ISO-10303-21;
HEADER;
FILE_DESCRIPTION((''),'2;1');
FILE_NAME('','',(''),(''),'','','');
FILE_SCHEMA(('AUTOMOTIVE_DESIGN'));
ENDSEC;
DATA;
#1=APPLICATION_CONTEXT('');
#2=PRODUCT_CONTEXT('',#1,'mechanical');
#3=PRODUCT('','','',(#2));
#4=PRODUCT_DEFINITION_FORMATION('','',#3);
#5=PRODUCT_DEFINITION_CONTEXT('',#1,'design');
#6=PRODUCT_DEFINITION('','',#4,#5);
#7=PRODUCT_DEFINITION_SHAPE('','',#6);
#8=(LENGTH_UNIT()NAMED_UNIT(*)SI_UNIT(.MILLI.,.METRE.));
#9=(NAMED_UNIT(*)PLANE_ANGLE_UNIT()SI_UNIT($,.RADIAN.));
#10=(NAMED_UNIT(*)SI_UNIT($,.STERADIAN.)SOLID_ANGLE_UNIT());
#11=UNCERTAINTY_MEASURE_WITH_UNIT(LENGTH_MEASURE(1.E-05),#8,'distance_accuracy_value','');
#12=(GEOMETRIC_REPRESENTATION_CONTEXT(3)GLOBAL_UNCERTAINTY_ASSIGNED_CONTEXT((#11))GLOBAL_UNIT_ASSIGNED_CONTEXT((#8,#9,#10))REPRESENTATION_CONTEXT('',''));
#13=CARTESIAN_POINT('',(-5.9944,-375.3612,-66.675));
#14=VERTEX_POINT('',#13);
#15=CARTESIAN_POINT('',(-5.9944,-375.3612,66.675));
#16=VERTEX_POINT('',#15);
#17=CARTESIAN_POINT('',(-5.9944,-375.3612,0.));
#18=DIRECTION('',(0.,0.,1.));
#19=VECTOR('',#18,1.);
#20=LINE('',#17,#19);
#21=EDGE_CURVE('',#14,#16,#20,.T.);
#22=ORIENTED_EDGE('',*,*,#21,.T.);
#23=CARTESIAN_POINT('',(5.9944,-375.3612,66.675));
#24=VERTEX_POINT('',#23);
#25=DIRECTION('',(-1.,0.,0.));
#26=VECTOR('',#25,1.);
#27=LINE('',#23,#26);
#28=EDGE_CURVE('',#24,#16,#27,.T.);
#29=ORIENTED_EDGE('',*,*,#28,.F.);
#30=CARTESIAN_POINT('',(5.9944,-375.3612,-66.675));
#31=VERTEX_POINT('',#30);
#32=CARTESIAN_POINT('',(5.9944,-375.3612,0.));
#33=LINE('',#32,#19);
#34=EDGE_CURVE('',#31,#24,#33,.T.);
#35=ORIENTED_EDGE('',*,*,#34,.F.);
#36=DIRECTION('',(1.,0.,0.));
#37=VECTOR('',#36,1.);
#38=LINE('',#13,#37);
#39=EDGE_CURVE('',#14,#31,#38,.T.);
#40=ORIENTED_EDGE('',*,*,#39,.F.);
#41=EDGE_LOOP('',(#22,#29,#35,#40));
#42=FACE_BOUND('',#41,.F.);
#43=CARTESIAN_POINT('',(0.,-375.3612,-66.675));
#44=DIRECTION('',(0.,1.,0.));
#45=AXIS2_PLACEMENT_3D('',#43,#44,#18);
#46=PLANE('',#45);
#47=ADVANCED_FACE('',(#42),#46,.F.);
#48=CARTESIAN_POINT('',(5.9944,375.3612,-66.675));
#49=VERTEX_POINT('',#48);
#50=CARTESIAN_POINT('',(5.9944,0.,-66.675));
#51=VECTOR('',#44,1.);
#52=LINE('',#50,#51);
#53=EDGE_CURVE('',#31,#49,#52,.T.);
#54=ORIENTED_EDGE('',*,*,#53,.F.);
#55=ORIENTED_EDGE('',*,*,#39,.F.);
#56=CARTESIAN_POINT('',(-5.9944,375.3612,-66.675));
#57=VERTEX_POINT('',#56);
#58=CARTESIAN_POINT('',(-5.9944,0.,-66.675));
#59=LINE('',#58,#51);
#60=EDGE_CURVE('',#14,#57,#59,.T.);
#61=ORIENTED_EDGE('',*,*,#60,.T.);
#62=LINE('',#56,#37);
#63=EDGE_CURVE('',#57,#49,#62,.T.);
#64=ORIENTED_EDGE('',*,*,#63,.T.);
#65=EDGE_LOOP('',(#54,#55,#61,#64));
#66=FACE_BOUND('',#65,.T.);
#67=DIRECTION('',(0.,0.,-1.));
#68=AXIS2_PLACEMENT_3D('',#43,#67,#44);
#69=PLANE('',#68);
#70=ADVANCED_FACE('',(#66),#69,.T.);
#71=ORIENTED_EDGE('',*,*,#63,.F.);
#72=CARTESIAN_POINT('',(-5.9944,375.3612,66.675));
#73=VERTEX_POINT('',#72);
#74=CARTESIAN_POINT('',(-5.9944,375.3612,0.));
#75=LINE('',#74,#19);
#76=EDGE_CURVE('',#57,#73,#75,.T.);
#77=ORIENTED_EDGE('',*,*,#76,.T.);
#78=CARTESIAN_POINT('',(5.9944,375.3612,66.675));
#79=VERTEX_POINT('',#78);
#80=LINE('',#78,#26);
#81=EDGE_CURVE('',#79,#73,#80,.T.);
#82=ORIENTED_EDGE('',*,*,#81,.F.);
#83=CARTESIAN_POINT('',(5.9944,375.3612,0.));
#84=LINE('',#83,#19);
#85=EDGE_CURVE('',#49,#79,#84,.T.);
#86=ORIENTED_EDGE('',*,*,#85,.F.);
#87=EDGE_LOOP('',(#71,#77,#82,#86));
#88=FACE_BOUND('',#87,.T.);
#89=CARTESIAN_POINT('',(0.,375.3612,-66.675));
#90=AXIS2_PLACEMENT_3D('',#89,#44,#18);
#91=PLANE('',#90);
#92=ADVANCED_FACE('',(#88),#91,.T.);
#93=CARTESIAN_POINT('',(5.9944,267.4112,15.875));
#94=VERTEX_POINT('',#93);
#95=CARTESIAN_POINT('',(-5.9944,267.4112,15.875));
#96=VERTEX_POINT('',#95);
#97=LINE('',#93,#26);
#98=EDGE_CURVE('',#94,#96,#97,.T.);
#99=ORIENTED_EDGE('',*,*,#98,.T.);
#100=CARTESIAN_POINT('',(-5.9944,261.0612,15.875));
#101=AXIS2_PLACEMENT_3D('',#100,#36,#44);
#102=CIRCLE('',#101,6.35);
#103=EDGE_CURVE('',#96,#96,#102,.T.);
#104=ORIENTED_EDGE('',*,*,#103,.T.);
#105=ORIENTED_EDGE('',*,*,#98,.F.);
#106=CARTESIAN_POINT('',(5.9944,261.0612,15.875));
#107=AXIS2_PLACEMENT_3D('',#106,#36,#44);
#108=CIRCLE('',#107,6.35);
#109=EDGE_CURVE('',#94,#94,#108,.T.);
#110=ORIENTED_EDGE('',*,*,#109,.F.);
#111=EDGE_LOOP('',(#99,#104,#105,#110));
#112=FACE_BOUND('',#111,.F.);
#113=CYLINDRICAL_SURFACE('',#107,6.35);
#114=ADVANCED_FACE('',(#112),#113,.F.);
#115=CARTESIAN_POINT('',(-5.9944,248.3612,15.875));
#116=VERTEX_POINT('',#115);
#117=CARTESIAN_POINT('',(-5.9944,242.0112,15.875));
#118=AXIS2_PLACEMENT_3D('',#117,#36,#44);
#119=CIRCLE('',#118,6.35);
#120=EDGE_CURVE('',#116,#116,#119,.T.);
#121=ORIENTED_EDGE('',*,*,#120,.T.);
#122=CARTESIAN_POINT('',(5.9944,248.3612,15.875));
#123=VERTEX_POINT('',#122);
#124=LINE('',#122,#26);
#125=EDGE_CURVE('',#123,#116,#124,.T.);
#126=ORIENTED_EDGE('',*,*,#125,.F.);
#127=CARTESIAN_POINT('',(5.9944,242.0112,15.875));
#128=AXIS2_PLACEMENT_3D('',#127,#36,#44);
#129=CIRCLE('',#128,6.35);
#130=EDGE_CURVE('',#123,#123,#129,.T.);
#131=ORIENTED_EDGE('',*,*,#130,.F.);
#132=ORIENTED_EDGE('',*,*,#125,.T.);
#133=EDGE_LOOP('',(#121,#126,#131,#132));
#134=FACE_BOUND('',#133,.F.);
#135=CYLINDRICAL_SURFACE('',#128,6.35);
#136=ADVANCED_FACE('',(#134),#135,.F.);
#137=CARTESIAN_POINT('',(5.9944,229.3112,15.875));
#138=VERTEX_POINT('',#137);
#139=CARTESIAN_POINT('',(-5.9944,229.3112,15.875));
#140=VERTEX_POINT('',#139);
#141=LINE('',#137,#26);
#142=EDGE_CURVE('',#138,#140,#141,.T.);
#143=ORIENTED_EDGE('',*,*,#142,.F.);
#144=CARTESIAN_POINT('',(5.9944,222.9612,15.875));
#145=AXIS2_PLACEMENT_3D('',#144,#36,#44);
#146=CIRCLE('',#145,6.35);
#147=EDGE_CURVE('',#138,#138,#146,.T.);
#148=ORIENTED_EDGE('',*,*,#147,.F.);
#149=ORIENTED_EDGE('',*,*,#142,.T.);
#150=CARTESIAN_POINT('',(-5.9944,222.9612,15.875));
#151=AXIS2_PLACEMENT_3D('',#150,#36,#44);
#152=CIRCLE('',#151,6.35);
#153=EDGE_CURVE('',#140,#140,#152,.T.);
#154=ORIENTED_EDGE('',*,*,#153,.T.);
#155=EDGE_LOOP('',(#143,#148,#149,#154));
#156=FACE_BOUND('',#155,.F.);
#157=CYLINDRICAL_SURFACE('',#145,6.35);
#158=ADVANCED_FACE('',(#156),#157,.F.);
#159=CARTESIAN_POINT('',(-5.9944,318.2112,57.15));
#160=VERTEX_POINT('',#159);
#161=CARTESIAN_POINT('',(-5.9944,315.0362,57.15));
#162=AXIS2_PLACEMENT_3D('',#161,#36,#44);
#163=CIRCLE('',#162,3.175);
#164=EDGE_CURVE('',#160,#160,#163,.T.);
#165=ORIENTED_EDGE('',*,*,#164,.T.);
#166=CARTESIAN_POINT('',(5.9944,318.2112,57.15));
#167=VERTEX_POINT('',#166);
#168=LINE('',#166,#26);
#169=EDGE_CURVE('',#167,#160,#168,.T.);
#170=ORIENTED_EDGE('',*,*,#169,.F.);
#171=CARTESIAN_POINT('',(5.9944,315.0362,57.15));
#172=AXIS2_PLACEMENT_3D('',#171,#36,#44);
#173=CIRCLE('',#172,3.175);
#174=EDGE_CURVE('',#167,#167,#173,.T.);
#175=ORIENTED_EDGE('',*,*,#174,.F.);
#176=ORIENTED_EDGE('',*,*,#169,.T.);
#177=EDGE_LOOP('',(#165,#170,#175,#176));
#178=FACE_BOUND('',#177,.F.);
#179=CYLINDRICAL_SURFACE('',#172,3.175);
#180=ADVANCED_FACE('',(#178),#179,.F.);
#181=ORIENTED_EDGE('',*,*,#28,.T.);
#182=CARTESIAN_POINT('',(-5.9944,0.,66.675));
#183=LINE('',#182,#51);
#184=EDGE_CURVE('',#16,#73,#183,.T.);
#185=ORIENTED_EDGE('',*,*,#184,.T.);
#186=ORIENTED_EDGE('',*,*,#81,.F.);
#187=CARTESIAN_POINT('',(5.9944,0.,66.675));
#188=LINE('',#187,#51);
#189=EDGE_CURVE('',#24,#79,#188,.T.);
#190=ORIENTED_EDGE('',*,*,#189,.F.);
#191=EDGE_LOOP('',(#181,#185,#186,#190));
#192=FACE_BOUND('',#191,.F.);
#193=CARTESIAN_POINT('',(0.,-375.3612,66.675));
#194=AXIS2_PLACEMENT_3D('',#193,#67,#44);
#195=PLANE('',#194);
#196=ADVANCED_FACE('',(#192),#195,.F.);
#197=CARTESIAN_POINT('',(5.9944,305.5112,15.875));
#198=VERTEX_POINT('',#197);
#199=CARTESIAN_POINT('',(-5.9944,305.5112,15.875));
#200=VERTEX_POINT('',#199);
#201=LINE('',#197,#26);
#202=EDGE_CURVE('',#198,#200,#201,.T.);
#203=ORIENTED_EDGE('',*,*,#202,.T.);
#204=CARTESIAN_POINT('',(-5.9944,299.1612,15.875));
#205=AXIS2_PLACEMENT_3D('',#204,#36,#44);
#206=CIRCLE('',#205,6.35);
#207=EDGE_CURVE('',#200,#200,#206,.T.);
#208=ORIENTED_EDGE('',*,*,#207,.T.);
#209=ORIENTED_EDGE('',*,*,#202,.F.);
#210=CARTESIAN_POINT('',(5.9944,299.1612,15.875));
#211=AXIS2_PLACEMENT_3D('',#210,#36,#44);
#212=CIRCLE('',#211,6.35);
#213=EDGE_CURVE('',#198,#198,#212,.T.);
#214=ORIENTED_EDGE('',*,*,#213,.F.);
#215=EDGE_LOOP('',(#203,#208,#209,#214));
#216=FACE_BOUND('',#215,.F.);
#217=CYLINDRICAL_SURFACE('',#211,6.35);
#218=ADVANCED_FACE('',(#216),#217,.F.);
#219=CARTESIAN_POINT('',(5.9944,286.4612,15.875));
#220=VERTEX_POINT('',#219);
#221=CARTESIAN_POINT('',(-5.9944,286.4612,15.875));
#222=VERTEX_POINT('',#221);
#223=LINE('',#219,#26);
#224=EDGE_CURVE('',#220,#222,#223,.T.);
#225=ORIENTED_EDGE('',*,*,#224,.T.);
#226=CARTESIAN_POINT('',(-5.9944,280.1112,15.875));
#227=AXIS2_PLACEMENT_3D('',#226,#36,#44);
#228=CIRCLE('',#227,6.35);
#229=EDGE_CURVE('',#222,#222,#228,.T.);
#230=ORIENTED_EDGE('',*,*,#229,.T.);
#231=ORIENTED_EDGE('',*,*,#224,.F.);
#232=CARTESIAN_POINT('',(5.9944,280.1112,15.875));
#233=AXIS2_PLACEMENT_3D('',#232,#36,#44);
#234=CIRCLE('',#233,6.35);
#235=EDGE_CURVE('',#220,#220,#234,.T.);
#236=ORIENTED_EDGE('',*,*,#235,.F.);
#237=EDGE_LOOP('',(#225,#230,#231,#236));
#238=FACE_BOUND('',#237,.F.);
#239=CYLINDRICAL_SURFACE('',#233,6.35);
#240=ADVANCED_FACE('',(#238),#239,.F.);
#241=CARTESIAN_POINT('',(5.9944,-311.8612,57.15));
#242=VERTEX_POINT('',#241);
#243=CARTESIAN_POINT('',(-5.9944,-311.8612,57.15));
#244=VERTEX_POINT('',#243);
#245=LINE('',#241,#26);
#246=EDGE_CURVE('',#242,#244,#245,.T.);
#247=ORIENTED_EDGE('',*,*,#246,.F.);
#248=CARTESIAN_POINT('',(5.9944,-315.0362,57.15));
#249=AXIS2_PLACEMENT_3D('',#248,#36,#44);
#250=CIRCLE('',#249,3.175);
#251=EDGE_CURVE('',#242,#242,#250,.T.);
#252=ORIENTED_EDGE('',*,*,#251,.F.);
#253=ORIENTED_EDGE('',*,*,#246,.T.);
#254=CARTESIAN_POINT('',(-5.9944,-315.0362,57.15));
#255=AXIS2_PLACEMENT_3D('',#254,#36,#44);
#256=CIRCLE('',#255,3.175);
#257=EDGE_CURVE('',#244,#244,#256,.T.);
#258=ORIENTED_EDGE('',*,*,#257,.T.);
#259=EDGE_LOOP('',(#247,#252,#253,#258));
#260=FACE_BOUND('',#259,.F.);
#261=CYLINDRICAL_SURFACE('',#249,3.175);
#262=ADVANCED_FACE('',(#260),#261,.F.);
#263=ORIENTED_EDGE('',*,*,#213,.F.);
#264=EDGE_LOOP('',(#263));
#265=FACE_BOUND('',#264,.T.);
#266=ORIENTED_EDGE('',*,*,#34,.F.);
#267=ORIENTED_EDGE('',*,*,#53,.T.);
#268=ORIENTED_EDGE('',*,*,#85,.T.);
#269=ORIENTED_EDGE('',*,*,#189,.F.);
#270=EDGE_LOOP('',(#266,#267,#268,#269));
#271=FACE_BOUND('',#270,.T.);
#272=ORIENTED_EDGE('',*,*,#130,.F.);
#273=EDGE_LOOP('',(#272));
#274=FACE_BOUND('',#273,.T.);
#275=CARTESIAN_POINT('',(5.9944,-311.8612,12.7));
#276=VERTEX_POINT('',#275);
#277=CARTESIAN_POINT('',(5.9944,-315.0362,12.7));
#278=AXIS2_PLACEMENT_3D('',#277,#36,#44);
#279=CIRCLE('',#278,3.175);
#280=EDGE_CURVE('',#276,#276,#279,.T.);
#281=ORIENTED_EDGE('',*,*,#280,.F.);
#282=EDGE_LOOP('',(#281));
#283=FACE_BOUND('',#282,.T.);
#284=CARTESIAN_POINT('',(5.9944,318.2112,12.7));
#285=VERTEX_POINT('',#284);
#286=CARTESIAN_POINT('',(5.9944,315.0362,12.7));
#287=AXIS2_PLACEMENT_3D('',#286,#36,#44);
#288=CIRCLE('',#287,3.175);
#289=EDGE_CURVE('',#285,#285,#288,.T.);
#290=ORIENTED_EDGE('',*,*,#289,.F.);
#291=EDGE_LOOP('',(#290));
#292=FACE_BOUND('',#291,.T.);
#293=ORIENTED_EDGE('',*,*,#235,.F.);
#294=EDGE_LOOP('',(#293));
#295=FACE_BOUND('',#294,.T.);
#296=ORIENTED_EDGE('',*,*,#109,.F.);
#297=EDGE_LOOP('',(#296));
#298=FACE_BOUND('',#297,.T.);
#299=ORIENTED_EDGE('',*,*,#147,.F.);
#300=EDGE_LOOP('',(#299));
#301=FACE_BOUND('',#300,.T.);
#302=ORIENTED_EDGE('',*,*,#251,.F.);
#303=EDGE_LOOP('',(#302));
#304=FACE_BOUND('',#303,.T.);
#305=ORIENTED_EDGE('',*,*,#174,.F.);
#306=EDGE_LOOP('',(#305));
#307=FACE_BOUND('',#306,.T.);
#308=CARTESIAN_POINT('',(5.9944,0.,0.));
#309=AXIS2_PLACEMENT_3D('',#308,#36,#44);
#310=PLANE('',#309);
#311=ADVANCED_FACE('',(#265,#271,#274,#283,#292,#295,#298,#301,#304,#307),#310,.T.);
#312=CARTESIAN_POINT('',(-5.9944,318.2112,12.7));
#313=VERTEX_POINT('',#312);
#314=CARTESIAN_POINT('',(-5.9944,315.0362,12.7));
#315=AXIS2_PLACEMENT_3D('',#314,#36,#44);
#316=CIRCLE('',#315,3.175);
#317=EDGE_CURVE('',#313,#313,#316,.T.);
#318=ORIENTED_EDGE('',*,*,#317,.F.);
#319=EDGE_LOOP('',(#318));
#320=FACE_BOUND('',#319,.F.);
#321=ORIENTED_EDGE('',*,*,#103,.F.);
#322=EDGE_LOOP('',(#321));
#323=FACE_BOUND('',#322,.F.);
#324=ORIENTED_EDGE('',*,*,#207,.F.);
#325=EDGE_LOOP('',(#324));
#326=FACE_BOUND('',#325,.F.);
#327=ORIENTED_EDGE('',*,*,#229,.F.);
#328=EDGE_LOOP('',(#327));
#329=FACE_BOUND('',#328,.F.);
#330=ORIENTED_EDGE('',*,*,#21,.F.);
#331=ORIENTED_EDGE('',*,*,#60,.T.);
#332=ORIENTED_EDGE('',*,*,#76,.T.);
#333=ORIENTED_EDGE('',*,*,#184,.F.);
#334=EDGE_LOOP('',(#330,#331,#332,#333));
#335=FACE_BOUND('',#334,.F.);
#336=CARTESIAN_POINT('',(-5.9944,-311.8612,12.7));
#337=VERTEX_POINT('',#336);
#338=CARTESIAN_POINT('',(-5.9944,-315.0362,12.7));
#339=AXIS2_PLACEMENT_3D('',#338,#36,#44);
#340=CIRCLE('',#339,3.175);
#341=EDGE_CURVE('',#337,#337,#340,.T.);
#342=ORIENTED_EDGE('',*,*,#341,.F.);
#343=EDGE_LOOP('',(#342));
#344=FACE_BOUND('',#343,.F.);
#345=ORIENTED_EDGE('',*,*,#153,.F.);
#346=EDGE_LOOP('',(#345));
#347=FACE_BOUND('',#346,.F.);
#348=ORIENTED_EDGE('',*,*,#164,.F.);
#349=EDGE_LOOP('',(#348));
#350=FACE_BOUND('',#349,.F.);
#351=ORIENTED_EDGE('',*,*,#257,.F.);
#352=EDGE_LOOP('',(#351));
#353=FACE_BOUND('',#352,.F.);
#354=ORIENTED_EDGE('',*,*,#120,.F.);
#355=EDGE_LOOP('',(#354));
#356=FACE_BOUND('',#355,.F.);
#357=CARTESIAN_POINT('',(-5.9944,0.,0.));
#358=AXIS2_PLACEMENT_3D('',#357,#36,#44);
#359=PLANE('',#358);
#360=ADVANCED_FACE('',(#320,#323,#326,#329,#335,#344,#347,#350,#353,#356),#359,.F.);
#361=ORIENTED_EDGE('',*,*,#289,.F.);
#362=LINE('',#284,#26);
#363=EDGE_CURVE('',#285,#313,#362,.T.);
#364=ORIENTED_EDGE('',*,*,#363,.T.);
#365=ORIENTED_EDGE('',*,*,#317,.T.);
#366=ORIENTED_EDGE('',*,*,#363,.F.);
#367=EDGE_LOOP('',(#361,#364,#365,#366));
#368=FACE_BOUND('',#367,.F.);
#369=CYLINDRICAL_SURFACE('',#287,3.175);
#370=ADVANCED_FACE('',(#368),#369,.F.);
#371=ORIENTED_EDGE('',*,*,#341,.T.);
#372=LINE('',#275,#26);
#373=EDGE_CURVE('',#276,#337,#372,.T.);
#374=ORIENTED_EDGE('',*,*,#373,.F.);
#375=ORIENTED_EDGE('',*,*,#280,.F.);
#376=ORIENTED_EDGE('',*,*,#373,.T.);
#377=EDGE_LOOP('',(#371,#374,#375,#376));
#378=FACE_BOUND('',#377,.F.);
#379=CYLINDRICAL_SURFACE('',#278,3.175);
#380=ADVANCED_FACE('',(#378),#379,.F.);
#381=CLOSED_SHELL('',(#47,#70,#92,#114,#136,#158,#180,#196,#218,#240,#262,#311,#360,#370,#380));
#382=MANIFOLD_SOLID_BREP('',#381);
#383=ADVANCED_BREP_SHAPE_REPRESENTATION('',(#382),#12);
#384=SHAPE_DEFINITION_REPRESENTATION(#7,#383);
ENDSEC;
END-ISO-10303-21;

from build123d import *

# Parameters (mm, degrees)
F0_W     = 750.7224
F0_H     = 133.35
F1_DEPTH = 5.9944
F2_R     = 6.35
F3_DEPTH = 11.9888
F4_R     = 3.175
F5_DEPTH = 11.9888


with BuildPart() as f1:
    # F0 (on Right) → F1 (new body, symmetric)
    with BuildSketch(Plane.YZ):
        Rectangle(F0_W, F0_H)
    extrude(amount=F1_DEPTH, both=True)

    # F2 (on face) → F3 (cut, through all)
    with BuildSketch(Plane.YZ.offset(5.9944)):
        with Locations((222.9612, 15.875)):
            Circle(F2_R)
        with Locations((242.0112, 15.875)):
            Circle(F2_R)
        with Locations((261.0612, 15.875)):
            Circle(F2_R)
        with Locations((280.1112, 15.875)):
            Circle(F2_R)
        with Locations((299.1612, 15.875)):
            Circle(F2_R)
    extrude(amount=-F3_DEPTH, mode=Mode.SUBTRACT)

    # F4 (on face) → F5 (cut, through all)
    with BuildSketch(Plane.YZ.offset(5.9944)):
        with Locations((-315.0362, 57.15)):
            Circle(F4_R)
        with Locations((-315.0362, 12.7)):
            Circle(F4_R)
        with Locations((315.0362, 12.7)):
            Circle(F4_R)
        with Locations((315.0362, 57.15)):
            Circle(F4_R)
    extrude(amount=-F5_DEPTH, mode=Mode.SUBTRACT)


solid = f1.part
